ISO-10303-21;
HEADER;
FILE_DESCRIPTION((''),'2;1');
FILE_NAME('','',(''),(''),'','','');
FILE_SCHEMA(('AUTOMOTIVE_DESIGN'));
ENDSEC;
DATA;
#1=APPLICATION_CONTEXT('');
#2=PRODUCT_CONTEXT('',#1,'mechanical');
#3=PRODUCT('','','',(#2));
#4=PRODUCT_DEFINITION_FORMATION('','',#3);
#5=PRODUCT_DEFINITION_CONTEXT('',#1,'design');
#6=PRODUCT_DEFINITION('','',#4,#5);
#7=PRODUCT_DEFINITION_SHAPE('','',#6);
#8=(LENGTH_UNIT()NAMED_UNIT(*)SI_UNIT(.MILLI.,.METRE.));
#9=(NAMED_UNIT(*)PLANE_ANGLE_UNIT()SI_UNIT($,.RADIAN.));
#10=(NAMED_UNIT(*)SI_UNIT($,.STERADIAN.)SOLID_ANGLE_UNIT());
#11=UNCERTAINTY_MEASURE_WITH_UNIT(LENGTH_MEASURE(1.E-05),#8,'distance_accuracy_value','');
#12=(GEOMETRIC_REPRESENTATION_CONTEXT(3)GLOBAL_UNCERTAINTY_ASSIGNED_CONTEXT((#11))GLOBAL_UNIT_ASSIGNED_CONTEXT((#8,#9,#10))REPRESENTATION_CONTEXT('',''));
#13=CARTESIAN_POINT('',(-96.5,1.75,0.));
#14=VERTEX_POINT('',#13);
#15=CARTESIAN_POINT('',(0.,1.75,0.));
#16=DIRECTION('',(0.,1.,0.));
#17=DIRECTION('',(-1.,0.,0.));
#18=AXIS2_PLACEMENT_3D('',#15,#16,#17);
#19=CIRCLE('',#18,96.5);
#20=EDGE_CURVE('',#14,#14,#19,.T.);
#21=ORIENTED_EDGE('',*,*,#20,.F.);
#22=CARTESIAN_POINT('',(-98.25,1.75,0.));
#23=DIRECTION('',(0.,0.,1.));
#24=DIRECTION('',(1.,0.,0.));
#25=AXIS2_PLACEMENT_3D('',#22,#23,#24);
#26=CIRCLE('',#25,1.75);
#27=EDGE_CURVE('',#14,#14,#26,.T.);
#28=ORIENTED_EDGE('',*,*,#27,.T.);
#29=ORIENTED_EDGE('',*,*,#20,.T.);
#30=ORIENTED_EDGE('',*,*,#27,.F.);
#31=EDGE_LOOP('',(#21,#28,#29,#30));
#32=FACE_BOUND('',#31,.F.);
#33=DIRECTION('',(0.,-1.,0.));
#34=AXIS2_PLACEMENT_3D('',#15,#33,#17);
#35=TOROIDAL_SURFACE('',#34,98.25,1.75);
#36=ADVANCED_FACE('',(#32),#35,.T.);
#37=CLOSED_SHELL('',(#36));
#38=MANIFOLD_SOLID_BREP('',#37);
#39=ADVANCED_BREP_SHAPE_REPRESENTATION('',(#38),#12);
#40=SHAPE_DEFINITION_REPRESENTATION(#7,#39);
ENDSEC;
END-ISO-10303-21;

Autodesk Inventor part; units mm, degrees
ref_plane "YZ Plane" through (0, 0, 0) normal (1, 0, 0) x (0, 1, 0)
ref_plane "XZ Plane" through (0, 0, 0) normal (0, 1, 0) x (-1, 0, 0)
ref_plane "XY Plane" through (0, 0, 0) normal (0, 0, 1) x (1, 0, 0)
sketch "Sketch1" plane through (0, 0, 0) normal (0, 0, 1) x (1, 0, 0)
  line L0 (-100, 0) -> (-96.5, 0) construction
  line L1 (-96.5, 0) -> (-96.5, 3.5) construction
  line L2 (-96.5, 3.5) -> (-100, 3.5) construction
  line L3 (-100, 3.5) -> (-100, 0) construction
  line L4 (-100, 0) -> (-96.5, 3.5) construction
  line L5 (-96.5, 0) -> (-100, 3.5) construction
  circle A0 centre (-98.25, 1.75) radius 1.75
  line L6 (0, -0.7) -> (0, 4.2) projected
  point P0 (0, 0)
  dimension "d3" = 3.5
  dimension "d4" = 3.5
  dimension "d5" = 96.5
revolve "Revolution1" add sketch "Sketch1" angle 360 about axis through (0, -10, 0) along (0, 1, 0)
properties part number "OringV1"
